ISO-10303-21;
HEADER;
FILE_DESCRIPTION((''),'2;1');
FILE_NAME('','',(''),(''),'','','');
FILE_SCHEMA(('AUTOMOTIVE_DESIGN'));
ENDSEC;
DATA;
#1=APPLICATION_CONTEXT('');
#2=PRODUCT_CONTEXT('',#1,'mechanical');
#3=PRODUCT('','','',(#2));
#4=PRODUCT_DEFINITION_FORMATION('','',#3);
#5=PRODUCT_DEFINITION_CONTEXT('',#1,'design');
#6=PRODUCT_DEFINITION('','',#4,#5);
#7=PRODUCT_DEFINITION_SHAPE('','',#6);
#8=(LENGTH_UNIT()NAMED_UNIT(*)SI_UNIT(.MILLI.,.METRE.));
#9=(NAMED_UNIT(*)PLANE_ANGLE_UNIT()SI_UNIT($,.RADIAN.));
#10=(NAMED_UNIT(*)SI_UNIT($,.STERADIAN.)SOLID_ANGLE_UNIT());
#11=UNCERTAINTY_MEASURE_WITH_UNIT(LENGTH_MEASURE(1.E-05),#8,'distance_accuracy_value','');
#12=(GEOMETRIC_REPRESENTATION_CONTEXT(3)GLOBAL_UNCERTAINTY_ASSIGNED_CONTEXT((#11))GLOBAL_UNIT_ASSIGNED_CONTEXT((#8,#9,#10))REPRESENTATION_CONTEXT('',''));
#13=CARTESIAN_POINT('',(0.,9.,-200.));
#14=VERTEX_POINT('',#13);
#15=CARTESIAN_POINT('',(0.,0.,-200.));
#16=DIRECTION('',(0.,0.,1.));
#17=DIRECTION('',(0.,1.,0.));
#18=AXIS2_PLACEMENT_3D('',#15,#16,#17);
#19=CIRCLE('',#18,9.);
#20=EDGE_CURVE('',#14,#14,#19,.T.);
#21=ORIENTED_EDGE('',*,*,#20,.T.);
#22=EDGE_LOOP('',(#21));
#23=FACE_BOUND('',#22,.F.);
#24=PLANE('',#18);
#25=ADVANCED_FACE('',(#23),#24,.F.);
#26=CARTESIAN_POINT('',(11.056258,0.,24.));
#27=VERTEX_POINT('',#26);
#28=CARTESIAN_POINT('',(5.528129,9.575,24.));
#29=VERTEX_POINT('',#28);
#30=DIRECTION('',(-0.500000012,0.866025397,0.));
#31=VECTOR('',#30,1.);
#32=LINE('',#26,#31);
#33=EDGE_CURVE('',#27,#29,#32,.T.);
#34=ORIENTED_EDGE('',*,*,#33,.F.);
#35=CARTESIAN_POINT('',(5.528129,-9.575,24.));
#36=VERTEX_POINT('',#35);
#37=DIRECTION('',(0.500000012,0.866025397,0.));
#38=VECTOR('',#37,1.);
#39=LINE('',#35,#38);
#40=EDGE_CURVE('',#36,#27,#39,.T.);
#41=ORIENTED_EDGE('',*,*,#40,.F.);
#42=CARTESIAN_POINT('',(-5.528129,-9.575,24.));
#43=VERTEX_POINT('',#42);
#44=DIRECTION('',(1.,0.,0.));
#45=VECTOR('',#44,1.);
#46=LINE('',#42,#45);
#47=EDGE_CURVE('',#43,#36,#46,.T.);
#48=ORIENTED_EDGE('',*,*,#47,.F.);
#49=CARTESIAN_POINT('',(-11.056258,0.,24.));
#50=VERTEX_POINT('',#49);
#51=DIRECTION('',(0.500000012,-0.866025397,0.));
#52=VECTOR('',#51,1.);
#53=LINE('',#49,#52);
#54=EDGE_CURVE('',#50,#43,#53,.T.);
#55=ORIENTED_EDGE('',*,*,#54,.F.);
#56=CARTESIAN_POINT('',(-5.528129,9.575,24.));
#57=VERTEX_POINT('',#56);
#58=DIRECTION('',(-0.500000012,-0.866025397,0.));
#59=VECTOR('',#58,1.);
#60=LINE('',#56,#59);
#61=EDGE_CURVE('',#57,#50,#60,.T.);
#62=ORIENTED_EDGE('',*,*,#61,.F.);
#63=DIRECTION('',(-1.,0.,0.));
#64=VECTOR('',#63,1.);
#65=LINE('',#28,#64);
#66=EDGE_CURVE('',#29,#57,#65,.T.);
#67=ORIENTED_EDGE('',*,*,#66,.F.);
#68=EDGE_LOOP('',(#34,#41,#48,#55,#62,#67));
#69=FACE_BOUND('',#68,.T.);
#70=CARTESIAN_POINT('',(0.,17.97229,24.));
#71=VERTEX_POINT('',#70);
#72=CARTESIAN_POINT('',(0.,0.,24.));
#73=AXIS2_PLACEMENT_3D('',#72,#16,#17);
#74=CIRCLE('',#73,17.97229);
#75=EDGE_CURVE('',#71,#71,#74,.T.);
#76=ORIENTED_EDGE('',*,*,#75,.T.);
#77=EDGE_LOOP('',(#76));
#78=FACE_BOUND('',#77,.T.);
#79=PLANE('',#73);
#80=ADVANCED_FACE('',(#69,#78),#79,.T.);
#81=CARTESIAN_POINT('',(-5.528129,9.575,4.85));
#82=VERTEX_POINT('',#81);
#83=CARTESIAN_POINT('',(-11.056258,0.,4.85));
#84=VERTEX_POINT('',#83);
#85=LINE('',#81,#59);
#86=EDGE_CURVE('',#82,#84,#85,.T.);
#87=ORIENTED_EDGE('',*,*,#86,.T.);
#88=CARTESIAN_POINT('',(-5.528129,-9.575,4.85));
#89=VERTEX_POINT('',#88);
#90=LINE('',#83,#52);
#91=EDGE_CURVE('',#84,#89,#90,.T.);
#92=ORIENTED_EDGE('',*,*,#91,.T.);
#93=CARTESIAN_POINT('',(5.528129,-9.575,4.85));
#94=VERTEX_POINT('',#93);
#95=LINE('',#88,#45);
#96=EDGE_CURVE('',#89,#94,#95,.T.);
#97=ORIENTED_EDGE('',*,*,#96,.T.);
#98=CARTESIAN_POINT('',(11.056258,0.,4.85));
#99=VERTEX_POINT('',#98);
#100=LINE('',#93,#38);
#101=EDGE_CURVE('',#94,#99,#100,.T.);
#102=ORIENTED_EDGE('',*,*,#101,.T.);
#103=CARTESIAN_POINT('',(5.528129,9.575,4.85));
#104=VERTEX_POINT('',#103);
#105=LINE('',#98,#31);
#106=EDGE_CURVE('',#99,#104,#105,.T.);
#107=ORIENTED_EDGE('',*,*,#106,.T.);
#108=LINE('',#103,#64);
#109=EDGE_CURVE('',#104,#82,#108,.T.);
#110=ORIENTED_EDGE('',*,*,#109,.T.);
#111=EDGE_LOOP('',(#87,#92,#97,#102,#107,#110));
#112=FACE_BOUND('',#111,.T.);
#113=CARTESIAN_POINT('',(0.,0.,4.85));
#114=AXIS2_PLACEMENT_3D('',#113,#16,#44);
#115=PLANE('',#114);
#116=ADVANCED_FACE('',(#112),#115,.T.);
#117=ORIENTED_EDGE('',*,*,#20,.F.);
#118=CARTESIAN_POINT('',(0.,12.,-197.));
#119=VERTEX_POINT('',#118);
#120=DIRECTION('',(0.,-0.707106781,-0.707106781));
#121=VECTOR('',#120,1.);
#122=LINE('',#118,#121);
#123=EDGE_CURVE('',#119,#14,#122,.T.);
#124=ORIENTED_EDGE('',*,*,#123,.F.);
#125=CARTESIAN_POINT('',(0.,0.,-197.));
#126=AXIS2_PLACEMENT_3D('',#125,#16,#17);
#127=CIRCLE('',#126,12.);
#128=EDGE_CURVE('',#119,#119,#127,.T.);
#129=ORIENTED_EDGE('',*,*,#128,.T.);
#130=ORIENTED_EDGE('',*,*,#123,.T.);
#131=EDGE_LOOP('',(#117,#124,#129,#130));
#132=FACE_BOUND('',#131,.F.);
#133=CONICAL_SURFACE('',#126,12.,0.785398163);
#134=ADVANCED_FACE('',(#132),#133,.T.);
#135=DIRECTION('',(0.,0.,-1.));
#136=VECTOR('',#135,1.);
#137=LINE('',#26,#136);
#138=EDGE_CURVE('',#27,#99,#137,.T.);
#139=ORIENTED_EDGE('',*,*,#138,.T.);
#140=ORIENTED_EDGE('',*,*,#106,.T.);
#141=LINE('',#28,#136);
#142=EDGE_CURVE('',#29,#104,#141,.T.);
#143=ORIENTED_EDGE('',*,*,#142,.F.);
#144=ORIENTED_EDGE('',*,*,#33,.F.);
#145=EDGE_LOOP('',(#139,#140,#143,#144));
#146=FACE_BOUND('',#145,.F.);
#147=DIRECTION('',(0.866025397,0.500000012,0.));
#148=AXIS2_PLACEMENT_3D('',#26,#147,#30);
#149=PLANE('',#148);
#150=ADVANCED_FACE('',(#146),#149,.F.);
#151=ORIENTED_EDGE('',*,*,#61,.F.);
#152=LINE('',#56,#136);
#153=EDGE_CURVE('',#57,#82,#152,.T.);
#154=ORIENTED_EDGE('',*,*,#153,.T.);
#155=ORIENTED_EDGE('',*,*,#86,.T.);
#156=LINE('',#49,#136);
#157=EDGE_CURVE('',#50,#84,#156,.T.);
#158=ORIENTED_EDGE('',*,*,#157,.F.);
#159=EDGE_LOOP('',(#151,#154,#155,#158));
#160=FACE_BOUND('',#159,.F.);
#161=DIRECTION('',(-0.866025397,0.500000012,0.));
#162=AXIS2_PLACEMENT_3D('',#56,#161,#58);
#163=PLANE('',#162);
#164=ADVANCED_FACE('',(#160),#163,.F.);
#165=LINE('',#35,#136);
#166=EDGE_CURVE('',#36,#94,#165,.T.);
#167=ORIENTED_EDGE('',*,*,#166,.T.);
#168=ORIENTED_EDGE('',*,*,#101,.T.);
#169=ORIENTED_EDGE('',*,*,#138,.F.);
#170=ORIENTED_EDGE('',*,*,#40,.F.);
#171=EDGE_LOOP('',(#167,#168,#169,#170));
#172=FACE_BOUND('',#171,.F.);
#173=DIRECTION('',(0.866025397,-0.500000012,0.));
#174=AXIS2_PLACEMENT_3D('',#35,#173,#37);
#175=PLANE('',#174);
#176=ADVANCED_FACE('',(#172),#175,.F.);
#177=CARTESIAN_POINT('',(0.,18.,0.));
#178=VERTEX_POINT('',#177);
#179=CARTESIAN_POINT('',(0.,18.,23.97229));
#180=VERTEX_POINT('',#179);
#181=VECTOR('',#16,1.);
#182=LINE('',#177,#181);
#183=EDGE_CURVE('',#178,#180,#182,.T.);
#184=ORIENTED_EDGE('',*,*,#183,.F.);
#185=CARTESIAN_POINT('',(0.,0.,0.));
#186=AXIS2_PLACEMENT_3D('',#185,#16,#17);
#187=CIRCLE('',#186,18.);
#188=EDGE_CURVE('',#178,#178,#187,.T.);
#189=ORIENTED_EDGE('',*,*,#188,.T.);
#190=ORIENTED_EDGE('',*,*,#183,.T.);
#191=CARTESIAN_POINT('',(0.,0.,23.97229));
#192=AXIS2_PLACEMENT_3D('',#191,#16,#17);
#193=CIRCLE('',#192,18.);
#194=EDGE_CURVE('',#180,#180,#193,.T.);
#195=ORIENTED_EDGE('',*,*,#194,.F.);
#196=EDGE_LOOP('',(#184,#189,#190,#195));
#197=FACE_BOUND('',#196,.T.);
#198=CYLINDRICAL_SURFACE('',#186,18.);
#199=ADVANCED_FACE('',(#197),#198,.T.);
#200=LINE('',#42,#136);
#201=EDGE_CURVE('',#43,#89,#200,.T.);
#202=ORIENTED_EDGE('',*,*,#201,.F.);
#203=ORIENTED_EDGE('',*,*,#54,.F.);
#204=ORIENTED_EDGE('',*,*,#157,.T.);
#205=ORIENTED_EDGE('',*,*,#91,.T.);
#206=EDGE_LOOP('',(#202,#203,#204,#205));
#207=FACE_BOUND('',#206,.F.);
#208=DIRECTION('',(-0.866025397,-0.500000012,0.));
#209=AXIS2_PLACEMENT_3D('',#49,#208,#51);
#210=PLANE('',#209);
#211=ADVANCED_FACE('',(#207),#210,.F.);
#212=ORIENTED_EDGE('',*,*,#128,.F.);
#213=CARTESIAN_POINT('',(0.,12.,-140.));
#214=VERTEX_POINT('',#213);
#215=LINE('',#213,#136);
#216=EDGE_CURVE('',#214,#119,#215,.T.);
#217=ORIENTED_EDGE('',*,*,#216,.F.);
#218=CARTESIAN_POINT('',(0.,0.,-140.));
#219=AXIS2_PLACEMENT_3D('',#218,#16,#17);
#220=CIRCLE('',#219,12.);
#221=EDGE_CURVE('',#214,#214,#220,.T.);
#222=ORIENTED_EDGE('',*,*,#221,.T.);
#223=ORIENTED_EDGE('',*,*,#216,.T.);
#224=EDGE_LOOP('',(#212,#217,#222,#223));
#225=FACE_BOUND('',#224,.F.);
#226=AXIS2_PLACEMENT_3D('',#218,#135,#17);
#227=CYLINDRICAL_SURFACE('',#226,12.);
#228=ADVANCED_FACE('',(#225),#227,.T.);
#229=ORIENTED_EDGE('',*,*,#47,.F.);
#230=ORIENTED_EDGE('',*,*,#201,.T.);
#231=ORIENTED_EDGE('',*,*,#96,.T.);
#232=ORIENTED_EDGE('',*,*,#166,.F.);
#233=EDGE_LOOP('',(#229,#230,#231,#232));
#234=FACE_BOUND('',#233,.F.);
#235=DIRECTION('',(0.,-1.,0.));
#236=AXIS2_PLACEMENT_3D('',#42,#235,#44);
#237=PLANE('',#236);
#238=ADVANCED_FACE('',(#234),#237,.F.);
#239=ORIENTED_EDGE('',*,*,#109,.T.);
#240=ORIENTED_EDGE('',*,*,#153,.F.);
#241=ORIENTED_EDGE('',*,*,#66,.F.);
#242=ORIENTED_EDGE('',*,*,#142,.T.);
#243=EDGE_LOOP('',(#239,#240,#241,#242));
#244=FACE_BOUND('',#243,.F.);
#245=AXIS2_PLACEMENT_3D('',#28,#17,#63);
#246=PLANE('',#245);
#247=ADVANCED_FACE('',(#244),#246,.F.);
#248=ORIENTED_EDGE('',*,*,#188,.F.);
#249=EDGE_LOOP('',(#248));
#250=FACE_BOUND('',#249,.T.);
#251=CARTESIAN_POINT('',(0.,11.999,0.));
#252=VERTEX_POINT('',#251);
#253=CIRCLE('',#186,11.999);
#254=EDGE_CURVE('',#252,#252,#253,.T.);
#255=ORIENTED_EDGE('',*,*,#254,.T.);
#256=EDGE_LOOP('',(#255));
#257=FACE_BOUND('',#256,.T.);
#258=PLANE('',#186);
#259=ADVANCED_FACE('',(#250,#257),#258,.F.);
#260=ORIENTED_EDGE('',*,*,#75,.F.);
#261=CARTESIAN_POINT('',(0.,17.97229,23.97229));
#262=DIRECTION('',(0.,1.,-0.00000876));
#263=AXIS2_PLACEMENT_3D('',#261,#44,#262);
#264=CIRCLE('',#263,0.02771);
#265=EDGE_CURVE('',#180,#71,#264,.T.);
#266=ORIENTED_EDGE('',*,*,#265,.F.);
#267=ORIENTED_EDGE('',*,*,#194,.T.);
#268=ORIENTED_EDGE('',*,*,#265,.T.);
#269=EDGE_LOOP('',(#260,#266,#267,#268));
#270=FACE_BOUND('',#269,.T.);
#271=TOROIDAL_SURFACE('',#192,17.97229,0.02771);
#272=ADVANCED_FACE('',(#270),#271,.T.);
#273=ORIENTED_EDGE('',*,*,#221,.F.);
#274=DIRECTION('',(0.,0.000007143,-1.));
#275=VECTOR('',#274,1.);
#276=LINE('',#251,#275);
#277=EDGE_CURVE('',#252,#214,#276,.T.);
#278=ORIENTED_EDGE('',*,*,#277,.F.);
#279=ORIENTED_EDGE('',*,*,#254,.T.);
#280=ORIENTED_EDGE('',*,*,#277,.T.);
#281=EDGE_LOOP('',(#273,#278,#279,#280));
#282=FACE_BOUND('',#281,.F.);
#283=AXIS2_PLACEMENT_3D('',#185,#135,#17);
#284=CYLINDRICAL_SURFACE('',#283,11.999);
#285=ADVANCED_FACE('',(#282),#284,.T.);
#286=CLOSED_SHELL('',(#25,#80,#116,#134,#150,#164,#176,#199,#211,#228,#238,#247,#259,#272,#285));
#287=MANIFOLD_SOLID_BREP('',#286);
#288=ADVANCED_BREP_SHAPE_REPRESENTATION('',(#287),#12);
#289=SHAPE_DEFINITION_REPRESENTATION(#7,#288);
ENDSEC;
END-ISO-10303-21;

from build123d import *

# Parameters (mm, degrees)
POCKET_DEPTH = 19.15


with BuildPart() as part:
    # Sketch → Revolve (revolve)
    with BuildSketch(Plane.YZ):
        with BuildLine():
            Line((11.999, 0), (18, 0))
            Line((18, 0), (18, 23.97229))
            ThreePointArc((18, 23.97229), (17.991884, 23.991884), (17.97229, 24))
            Line((17.97229, 24), (0, 24))
            Line((0, -200), (0, 24))
            Line((9, -200), (0, -200))
            Line((12, -197), (9, -200))
            Line((12, -140), (12, -197))
            Line((11.999, 0), (12, -140))
        make_face()
    revolve(axis=Axis((0, 0, 0), (0, 0, 1)))

    # Sketch001 → Pocket (cut)
    with BuildSketch(Plane.XY.offset(24)):
        Polygon((11.056258, 0), (5.528129, 9.575), (-5.528129, 9.575), (-11.056258, 0), (-5.528129, -9.575), (5.528129, -9.575), align=None)
    extrude(amount=-POCKET_DEPTH, mode=Mode.SUBTRACT)


solid = part.part
